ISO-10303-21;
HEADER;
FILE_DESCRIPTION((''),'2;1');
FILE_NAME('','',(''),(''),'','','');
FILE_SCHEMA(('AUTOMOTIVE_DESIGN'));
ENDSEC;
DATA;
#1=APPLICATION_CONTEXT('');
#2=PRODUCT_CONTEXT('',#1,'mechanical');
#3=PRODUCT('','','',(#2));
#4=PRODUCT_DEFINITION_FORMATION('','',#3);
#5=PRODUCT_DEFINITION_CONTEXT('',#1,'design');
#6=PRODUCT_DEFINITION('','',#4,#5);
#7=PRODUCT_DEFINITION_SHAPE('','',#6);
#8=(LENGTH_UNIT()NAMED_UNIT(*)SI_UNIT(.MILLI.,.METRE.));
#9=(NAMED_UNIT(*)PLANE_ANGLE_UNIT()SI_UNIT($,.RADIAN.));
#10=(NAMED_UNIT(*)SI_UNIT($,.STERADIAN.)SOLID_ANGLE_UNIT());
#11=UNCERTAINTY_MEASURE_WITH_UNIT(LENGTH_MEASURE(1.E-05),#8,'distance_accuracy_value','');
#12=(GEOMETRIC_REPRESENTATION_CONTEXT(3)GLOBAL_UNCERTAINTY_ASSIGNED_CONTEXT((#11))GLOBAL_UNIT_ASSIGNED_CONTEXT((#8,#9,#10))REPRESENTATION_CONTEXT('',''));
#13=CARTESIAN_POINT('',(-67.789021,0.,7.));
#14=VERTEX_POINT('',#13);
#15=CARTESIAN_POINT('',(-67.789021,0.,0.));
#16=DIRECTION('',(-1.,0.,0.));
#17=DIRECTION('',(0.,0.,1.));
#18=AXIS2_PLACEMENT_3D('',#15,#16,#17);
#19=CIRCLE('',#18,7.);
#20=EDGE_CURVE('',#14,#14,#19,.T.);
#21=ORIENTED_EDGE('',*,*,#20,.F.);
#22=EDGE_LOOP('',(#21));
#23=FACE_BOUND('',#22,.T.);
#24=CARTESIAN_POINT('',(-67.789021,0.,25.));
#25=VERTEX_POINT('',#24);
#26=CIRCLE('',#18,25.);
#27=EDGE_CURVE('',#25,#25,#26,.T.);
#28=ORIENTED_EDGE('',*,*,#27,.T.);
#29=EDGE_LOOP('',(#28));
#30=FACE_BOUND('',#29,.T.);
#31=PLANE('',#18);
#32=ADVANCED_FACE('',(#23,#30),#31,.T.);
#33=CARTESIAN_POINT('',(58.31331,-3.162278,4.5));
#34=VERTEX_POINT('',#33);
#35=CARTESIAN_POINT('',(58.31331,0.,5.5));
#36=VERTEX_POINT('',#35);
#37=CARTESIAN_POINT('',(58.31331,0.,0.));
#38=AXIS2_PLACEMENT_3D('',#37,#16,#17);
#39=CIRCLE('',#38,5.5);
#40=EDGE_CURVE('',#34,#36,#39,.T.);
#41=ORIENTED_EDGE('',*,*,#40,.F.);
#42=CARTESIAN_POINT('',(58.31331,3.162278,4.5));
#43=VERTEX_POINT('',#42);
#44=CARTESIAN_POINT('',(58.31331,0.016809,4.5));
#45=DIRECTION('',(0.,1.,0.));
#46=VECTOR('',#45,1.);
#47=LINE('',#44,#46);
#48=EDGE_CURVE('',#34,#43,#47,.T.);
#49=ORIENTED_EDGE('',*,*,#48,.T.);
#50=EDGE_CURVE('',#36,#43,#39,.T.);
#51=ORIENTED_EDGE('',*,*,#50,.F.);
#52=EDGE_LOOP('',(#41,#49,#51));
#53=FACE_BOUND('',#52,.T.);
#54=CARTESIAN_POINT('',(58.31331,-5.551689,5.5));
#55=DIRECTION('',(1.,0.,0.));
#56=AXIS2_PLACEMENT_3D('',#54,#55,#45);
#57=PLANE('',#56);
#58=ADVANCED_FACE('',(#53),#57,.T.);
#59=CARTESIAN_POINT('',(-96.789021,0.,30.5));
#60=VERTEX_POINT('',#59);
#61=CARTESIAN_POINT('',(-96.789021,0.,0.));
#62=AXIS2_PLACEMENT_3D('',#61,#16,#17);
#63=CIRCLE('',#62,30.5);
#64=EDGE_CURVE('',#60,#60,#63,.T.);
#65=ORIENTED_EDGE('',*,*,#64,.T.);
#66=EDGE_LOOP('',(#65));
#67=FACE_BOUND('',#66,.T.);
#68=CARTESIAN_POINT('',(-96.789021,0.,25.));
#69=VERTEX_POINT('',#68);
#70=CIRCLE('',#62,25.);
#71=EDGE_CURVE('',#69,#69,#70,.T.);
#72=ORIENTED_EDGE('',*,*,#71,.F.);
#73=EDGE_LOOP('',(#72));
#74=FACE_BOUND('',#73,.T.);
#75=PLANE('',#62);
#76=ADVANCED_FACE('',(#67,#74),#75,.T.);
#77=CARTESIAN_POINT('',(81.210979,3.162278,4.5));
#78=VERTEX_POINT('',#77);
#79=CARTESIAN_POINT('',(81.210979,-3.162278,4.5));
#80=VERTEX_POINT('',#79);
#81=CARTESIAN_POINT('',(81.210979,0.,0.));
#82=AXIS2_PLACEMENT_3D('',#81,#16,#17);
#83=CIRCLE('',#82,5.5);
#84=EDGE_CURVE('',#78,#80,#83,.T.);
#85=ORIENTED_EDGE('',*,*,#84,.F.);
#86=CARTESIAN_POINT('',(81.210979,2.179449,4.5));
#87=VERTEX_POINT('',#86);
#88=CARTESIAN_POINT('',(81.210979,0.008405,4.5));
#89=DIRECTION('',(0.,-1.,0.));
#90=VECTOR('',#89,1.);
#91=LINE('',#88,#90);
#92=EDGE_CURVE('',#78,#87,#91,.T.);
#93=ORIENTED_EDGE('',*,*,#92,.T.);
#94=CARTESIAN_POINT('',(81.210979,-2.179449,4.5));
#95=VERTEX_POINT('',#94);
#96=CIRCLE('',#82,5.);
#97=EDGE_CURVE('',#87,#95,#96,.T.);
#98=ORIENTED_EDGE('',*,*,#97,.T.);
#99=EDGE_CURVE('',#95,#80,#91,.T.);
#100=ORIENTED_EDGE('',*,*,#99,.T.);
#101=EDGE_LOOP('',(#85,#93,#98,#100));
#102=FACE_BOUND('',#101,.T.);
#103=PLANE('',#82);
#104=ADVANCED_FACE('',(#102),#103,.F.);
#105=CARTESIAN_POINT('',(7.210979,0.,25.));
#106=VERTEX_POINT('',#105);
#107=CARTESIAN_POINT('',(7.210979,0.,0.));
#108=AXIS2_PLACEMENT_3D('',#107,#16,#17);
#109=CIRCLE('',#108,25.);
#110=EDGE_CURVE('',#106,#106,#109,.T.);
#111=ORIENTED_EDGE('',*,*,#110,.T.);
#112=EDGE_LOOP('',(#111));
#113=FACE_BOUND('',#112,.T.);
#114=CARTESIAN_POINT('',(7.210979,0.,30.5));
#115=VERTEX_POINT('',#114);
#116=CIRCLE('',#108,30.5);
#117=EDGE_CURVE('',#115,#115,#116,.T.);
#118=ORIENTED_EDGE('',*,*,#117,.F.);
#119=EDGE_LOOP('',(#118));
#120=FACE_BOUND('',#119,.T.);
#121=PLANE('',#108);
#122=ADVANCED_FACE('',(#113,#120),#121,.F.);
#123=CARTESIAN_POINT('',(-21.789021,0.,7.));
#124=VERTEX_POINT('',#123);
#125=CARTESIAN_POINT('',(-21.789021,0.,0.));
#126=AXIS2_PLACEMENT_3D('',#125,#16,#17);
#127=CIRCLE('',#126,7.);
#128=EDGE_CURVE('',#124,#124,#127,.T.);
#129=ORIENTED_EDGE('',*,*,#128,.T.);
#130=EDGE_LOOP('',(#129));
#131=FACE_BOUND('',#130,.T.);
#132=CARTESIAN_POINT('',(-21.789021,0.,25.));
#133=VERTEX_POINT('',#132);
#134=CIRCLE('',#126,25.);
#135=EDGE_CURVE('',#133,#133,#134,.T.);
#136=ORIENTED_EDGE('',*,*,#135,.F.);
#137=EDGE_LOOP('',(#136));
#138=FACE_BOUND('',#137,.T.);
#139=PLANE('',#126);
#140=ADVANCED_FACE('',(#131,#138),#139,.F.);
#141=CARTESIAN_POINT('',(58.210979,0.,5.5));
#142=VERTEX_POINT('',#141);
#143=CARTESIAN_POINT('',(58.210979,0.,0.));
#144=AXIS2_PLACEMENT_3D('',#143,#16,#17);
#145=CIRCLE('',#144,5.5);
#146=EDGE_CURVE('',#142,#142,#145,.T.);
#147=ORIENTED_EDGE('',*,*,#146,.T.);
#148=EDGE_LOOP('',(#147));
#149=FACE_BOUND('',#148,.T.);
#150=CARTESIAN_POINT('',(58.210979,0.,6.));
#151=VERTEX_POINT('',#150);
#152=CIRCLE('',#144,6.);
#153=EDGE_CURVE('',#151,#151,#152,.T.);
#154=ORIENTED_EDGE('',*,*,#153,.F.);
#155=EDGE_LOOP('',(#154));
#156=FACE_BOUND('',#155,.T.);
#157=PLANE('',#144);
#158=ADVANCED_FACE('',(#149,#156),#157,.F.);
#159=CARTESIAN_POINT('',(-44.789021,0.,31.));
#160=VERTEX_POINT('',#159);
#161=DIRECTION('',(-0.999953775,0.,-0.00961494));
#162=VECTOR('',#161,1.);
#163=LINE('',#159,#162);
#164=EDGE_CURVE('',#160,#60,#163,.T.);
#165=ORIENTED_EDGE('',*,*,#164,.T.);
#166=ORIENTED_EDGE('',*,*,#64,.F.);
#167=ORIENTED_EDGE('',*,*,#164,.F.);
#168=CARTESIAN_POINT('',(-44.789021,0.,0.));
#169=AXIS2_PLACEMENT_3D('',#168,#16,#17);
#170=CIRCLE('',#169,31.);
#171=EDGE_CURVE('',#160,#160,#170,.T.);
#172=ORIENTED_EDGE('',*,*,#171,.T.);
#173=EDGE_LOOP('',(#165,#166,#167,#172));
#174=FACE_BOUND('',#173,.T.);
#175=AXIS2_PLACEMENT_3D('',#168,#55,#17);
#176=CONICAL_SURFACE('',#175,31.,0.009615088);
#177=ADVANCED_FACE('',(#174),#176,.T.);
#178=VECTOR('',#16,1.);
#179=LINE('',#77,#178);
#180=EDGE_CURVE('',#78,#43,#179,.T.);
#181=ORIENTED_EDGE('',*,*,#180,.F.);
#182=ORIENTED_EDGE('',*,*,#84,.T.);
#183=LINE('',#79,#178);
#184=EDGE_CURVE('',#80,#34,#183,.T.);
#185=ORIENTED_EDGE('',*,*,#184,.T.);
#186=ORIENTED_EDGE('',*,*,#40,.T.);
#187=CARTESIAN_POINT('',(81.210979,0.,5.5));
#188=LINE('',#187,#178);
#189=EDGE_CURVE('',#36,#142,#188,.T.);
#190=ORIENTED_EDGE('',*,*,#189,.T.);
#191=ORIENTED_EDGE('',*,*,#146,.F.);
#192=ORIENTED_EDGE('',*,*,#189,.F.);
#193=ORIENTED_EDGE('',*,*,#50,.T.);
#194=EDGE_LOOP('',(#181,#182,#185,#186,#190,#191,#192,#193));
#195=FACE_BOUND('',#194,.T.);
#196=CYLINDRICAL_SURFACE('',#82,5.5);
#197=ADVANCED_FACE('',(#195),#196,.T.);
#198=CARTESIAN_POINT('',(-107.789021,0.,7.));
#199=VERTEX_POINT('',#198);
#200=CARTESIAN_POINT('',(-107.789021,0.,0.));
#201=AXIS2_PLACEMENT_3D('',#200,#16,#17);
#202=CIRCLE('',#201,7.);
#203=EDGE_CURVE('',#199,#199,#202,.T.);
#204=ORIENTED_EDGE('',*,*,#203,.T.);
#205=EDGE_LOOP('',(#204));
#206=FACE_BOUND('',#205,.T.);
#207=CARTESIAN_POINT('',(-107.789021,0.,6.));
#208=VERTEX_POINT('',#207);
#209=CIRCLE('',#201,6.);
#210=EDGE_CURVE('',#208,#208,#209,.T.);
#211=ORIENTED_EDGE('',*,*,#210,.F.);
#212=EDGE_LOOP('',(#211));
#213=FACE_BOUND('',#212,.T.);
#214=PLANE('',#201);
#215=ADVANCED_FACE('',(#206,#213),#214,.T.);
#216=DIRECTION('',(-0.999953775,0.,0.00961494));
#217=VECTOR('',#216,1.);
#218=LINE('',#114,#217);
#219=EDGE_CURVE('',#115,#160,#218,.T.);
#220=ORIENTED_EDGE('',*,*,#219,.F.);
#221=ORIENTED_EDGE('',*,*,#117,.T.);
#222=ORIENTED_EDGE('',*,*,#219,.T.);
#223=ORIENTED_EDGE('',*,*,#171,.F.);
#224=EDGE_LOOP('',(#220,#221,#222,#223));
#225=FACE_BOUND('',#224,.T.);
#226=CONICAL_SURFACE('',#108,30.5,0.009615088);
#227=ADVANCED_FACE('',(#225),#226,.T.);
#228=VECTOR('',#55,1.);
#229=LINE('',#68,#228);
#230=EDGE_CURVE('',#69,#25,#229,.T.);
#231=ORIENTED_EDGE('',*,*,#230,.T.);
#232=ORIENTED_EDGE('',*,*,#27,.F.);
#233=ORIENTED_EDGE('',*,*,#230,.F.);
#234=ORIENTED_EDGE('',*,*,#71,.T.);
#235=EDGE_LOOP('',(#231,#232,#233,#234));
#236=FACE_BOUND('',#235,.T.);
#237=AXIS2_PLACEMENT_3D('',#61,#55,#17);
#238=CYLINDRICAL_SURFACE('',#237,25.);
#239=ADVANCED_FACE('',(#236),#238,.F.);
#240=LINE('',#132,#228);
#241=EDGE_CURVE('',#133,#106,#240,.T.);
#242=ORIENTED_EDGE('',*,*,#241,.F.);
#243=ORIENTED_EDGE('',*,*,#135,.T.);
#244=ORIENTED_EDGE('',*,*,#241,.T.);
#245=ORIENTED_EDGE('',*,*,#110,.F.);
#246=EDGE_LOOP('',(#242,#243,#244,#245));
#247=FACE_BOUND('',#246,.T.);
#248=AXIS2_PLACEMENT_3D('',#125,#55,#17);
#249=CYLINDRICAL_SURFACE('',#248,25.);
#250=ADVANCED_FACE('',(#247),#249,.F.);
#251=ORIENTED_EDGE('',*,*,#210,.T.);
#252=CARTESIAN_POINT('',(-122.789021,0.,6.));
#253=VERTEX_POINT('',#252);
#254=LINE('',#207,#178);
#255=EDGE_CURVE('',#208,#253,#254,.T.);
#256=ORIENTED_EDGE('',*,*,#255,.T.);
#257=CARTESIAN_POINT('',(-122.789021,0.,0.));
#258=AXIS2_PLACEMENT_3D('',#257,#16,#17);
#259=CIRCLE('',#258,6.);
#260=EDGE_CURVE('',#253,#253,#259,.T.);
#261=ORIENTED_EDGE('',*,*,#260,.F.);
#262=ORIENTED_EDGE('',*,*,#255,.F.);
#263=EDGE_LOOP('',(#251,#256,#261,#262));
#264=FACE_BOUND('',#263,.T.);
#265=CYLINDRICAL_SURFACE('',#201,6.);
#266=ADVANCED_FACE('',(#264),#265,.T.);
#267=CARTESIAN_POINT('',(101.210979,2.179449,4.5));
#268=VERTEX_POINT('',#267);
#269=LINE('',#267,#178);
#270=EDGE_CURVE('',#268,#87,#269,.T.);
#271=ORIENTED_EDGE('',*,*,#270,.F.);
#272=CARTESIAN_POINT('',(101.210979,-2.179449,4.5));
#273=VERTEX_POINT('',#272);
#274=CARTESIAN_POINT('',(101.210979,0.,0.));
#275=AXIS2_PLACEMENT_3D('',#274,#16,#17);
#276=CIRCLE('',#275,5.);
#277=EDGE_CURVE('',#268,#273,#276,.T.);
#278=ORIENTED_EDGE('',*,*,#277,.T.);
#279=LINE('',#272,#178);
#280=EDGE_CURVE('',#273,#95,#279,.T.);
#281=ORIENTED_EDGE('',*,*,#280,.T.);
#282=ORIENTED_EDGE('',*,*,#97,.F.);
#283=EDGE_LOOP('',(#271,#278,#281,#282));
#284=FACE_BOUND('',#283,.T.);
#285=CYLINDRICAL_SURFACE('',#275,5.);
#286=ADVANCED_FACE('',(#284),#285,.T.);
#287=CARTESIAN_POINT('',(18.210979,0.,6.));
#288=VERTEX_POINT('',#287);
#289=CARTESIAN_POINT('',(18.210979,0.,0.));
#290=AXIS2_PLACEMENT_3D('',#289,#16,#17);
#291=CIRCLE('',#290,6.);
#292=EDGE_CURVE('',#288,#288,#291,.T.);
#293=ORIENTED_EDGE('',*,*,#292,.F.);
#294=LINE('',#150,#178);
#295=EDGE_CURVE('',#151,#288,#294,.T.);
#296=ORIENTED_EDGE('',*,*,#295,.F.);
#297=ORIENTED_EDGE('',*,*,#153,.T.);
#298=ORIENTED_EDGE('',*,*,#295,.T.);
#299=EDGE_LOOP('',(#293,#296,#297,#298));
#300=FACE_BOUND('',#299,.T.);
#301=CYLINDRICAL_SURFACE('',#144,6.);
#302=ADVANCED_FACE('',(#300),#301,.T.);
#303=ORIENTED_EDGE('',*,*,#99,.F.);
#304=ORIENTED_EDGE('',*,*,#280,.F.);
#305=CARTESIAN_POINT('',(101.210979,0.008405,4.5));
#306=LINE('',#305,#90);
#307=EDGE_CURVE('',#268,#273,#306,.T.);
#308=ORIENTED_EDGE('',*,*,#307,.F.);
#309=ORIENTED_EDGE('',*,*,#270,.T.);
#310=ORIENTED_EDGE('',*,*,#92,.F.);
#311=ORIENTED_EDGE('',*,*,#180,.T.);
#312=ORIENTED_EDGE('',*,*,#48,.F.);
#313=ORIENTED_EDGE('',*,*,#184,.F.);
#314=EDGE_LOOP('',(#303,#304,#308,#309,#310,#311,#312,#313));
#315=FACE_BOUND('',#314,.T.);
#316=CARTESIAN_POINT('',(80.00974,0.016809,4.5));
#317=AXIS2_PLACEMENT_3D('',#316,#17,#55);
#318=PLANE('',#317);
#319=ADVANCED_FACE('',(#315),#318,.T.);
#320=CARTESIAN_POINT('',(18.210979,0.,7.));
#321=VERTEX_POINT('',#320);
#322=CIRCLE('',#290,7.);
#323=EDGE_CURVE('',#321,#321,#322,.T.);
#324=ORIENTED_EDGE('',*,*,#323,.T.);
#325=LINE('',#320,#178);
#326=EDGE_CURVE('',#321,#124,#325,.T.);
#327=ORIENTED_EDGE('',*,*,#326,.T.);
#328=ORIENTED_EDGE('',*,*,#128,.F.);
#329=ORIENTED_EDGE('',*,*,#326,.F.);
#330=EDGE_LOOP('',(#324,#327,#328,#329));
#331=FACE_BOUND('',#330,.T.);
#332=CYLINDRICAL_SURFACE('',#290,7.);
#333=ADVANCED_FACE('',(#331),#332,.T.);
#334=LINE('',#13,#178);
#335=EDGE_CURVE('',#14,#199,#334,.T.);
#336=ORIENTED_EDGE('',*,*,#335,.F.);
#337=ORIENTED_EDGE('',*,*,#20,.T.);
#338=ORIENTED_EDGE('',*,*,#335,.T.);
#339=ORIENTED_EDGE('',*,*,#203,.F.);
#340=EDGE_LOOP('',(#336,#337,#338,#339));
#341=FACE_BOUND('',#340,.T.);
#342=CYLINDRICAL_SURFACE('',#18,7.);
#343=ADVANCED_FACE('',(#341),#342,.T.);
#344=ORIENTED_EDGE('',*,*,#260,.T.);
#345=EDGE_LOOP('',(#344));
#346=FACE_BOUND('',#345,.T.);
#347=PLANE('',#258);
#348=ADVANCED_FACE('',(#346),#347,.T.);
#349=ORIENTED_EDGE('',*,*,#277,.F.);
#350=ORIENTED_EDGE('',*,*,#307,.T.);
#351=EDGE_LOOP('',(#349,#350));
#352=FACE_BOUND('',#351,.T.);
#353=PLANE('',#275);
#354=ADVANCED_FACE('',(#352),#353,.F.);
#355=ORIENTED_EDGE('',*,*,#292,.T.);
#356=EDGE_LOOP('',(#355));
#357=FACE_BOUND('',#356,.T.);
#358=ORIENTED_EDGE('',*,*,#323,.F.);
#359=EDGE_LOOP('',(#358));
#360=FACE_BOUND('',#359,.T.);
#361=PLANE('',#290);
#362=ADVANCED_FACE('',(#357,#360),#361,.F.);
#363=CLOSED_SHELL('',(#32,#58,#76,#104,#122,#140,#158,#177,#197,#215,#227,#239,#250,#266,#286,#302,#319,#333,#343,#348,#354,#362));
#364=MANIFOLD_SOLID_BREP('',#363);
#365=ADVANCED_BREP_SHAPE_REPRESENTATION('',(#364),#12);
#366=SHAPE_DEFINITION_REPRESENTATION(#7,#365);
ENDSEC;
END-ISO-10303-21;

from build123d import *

# Parameters (mm, degrees)
F4_W     = 43.39286
F4_H     = 11.136995
F5_DEPTH = 1


with BuildPart() as f1:
    # F0 (on Front) → F1 (revolve)
    with BuildSketch(Plane.XZ):
        Polygon((-52.789021, 6), (-52.789021, 0), (171.210979, 0), (171.210979, 5), (151.210979, 5), (151.210979, 5.5), (128.210979, 5.5), (128.210979, 6), (88.210979, 6), (88.210979, 7), (48.210979, 7), (48.210979, 25), (77.210979, 25), (77.210979, 30.5), (25.210979, 31), (-26.789021, 30.5), (-26.789021, 25), (2.210979, 25), (2.210979, 7), (-37.789021, 7), (-37.789021, 6), align=None)
    revolve(axis=Axis((59.210979, 0, 0), (-1, 0, 0)))


with BuildPart() as f1_1:
    # F3: moved
    add(f1.part.moved(Location((-70, 0, 0))))

    # F4 (on offset) → F5 (cut)
    with BuildSketch(Plane.XY.offset(5.5)):
        with Locations((80.00974, 0.016809)):
            Rectangle(F4_W, F4_H)
    extrude(amount=-F5_DEPTH, mode=Mode.SUBTRACT)


solid = f1_1.part
